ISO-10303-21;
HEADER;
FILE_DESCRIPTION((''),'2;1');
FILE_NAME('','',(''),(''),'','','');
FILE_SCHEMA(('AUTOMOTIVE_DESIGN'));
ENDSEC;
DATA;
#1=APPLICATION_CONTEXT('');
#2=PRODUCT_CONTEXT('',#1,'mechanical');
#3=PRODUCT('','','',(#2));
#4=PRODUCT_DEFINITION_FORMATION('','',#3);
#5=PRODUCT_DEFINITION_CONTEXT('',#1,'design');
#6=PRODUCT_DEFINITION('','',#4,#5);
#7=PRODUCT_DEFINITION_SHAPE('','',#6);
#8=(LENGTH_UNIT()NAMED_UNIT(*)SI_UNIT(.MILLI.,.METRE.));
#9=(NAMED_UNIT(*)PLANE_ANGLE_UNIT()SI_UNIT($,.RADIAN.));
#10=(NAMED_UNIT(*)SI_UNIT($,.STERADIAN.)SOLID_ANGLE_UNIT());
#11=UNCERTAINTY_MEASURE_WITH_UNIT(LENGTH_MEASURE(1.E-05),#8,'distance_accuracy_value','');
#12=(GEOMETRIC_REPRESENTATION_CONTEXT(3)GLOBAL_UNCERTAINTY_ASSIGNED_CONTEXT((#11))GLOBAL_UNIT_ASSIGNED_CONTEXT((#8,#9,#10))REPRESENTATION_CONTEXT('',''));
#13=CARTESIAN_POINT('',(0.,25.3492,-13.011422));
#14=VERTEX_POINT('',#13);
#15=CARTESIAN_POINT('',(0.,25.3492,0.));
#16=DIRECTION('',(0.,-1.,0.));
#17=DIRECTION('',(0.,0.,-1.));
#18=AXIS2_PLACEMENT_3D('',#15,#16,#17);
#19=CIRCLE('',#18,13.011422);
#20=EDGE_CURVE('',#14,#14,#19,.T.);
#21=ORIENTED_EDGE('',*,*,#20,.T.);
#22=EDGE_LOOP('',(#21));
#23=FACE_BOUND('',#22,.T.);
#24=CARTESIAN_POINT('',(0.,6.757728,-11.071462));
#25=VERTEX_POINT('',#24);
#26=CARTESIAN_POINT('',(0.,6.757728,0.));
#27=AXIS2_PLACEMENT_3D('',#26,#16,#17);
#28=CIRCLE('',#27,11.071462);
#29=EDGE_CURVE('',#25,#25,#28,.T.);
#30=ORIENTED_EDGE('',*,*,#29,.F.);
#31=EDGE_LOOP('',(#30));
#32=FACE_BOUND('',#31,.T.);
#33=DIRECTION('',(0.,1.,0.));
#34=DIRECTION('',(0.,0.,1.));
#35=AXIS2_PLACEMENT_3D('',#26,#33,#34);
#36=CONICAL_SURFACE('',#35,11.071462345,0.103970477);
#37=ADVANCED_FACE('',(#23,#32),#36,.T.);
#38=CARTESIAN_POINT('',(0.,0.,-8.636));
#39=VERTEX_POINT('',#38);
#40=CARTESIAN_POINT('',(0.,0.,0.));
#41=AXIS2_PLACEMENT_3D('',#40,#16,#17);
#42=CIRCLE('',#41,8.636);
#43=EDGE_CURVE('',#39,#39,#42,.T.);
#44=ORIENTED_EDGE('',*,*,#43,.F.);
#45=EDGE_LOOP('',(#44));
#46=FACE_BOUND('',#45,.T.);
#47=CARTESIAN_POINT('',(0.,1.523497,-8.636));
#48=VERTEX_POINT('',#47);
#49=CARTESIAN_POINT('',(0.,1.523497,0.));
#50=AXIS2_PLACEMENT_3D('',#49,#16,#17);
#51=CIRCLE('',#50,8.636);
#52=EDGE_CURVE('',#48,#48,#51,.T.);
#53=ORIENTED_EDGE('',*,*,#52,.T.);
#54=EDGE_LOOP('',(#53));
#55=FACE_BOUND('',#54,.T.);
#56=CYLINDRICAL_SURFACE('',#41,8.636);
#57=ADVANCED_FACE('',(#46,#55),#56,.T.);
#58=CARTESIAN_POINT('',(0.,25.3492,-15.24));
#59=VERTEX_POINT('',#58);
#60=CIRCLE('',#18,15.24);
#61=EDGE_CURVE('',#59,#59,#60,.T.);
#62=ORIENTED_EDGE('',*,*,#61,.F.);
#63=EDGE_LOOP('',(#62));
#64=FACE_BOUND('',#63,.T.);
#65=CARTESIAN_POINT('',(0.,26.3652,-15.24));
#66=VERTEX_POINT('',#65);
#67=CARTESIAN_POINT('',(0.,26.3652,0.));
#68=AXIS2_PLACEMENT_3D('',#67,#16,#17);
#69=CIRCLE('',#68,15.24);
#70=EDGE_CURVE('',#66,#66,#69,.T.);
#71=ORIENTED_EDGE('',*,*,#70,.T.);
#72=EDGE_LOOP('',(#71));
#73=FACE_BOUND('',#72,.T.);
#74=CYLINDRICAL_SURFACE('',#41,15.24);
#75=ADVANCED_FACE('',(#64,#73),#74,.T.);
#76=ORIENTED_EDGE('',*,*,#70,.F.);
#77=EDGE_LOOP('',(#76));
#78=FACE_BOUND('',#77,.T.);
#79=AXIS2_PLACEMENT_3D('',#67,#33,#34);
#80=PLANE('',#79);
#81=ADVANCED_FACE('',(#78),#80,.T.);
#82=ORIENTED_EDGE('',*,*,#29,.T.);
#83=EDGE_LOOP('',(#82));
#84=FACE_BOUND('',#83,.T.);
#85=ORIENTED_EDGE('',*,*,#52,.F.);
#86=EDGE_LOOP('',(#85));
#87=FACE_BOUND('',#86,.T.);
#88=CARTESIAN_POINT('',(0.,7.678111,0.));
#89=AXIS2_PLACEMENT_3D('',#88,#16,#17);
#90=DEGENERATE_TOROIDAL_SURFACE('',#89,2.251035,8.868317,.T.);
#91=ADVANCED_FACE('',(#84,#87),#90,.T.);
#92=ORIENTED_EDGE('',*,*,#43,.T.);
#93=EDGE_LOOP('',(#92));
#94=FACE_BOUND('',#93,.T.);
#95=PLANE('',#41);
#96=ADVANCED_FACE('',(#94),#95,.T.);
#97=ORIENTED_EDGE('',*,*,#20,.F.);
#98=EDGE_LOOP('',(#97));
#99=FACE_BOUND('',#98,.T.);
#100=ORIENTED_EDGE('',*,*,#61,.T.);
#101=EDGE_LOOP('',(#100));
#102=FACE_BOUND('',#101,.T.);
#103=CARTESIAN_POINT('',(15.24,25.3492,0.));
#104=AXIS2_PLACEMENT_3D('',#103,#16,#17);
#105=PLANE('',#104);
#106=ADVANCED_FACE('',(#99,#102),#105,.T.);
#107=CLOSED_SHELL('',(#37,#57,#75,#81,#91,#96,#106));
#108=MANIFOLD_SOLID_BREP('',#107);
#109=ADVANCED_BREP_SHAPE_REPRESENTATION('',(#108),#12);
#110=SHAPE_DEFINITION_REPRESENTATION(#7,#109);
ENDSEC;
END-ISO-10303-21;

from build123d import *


with BuildPart() as part:
    # Sketch1 → Revolve1 (revolve)
    with BuildSketch(Plane.XY):
        with BuildLine():
            Line((0, 0), (0, 26.3652))
            Line((0, 26.3652), (15.24, 26.3652))
            Line((15.24, 26.3652), (15.24, 25.3492))
            Line((15.24, 25.3492), (13.011421866, 25.3492))
            Line((13.011421866, 25.3492), (11.071462345, 6.757727738))
            ThreePointArc((11.071462345, 6.757727738), (10.291574862, 3.936885962), (8.636, 1.523497331))
            Line((8.636, 1.523497331), (8.636, 0))
            Line((8.636, 0), (0, 0))
        make_face()
    revolve(axis=Axis((0, 0, 0), (0, 1, 0)))


solid = part.part
